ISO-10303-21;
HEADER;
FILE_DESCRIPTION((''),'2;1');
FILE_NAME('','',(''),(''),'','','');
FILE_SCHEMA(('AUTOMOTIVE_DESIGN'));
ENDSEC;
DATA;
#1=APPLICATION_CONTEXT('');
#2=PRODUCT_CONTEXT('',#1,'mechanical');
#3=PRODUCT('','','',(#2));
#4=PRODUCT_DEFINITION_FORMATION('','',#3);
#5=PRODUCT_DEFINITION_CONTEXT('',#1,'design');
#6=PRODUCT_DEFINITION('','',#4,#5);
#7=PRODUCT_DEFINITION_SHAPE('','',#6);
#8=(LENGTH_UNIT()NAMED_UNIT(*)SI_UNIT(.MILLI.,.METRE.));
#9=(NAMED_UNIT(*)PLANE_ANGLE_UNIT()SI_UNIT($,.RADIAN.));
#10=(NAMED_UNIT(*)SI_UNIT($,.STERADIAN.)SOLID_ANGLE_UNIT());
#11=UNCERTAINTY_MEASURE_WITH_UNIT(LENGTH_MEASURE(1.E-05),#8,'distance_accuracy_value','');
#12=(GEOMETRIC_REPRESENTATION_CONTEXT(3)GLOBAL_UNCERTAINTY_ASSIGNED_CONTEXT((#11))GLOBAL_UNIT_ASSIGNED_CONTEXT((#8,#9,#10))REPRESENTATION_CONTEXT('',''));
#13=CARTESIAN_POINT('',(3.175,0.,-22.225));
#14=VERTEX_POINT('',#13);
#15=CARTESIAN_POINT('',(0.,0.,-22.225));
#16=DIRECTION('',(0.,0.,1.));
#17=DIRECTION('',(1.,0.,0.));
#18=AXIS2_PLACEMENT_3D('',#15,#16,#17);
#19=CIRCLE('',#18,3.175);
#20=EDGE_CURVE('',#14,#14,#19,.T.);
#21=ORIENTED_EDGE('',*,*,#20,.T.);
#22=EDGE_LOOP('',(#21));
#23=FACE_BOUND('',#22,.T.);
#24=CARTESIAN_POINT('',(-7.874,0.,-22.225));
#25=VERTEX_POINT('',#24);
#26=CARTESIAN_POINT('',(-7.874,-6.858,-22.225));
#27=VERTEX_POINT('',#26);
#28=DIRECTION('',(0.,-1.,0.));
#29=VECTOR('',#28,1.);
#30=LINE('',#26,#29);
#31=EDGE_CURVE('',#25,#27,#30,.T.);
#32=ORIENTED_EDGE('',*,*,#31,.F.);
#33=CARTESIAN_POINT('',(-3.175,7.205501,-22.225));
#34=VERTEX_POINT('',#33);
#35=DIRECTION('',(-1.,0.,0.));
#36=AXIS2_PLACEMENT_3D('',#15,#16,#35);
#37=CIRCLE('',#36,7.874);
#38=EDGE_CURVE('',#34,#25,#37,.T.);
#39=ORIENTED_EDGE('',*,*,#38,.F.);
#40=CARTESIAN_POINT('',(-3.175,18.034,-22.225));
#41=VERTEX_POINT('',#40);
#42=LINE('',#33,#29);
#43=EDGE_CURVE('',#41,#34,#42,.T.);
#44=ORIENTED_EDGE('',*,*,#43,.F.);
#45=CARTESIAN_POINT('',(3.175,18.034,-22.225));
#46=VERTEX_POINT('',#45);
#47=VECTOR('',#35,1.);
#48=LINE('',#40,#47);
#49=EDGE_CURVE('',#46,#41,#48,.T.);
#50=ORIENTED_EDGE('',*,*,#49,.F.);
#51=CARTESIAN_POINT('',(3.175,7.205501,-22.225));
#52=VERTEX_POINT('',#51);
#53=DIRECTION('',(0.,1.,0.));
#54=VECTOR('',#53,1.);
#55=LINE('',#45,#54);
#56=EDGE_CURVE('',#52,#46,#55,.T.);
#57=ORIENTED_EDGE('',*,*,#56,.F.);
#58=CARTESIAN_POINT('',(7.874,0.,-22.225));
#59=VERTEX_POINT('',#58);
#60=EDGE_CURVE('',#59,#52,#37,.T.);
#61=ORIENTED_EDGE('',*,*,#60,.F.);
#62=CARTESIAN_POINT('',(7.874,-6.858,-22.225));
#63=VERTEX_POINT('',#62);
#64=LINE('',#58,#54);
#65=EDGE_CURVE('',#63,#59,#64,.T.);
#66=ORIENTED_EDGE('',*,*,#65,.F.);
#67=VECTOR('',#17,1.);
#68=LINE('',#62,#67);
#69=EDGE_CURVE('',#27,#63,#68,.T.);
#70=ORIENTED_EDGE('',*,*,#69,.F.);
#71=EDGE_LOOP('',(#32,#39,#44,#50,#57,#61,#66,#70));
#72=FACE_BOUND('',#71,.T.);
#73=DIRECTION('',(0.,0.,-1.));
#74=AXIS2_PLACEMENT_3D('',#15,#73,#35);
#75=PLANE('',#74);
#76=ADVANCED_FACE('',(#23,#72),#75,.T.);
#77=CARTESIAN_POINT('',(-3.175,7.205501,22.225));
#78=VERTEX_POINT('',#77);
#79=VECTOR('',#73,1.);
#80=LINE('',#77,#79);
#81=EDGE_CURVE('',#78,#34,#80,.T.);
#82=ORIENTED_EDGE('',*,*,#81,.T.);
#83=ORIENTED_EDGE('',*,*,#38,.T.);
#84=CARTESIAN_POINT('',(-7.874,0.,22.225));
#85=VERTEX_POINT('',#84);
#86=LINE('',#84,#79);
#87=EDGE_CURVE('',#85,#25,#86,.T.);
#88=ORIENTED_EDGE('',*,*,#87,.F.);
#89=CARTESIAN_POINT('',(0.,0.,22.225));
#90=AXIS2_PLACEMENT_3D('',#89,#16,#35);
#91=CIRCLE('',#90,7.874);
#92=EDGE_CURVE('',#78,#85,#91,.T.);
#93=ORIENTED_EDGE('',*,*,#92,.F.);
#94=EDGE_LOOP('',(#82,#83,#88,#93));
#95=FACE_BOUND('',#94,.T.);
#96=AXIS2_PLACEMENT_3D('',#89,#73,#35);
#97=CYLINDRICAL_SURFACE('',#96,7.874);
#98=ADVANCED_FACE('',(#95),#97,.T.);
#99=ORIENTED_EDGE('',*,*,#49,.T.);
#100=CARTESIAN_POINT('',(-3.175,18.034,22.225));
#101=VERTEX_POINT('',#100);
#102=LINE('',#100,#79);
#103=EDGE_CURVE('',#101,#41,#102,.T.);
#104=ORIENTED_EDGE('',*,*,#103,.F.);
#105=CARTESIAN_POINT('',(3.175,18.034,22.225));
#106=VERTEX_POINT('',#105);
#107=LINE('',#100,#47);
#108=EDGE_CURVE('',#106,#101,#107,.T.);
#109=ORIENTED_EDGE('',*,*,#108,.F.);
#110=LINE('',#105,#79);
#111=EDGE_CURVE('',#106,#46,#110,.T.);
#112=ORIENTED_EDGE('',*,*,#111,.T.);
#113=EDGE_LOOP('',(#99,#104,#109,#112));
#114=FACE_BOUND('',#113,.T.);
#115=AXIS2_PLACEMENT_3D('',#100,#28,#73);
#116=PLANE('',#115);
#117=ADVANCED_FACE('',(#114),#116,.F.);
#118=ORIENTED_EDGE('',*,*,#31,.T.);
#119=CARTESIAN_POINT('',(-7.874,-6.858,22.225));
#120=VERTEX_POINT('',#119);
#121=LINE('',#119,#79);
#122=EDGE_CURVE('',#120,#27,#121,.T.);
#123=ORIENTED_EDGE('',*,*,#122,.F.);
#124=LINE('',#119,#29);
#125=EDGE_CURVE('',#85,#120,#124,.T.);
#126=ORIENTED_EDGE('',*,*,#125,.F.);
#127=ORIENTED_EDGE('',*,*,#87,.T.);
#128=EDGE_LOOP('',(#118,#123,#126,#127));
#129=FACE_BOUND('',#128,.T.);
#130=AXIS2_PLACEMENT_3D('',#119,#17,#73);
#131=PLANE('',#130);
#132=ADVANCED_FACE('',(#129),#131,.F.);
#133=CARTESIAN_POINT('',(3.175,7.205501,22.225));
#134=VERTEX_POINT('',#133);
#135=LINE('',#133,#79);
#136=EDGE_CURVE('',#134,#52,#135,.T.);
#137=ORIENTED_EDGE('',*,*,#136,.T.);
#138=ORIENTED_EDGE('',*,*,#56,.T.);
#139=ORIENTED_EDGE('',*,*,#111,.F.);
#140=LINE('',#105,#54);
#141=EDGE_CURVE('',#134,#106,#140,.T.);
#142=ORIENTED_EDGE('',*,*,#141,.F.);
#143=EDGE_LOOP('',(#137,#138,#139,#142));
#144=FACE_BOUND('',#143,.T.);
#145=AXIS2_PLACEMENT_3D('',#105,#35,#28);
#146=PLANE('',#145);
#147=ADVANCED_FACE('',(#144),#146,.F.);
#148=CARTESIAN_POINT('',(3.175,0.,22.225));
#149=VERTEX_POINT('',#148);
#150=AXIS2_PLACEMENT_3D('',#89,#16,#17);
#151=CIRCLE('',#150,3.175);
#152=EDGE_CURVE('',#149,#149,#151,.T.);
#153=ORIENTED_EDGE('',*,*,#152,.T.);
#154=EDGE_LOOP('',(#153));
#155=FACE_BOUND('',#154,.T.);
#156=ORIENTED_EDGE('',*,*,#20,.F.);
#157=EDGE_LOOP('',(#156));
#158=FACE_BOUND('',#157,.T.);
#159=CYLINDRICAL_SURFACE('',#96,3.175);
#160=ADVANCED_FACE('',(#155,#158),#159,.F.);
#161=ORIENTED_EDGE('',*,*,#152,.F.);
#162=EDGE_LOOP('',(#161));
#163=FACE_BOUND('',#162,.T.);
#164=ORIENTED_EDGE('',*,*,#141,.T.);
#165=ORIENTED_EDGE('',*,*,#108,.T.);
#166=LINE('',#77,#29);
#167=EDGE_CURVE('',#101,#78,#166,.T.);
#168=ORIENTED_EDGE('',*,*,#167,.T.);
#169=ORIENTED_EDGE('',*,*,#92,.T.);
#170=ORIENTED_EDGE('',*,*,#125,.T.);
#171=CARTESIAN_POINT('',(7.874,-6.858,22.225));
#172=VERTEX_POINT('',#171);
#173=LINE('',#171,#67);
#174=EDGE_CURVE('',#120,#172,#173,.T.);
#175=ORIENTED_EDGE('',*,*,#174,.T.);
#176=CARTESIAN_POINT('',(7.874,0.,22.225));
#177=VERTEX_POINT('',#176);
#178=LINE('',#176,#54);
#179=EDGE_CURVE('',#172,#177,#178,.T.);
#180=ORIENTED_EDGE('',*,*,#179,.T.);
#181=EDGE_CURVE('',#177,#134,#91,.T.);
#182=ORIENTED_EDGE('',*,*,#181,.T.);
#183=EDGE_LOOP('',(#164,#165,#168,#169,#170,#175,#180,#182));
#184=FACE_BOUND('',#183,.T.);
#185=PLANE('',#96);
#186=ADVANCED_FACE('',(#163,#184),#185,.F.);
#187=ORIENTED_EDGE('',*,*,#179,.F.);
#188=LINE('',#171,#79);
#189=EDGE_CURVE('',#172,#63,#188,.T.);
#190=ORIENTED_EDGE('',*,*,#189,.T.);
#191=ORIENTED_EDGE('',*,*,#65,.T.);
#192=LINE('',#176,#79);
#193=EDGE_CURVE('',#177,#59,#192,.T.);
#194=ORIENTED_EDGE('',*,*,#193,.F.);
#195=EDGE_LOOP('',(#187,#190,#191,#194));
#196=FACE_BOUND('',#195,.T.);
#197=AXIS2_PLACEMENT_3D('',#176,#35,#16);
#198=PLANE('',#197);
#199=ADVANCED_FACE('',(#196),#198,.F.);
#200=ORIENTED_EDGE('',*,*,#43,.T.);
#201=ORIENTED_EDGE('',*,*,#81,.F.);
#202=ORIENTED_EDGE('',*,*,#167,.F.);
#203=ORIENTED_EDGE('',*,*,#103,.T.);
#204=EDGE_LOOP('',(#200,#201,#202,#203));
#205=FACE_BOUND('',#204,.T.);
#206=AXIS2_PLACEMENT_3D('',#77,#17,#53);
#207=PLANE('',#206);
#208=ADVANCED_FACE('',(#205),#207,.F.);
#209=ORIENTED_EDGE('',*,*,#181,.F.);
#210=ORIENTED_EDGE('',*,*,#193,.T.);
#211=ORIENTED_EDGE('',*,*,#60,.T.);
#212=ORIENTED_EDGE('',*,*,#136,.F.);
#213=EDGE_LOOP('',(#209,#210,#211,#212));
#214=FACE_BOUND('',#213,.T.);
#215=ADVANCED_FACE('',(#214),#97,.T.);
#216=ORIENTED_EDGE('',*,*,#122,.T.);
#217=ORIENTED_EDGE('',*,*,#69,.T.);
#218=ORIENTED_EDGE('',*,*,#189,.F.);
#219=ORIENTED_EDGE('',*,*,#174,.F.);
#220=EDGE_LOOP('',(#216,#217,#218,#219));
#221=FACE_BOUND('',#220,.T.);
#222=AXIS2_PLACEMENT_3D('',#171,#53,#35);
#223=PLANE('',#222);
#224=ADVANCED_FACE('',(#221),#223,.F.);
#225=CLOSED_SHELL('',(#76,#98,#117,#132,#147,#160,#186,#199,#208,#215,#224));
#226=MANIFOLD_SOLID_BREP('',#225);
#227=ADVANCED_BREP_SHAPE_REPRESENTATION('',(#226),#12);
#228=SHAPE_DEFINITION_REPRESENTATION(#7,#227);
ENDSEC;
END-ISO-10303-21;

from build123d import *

# Parameters (mm, degrees)
SKETCH1_R           = 3.175
BOSS_EXTRUDE1_DEPTH = 22.225


with BuildPart() as part:
    # Sketch1 → Boss-Extrude1 (new, symmetric)
    with BuildSketch(Plane.XY):
        with BuildLine():
            Line((7.874, -6.858), (-7.874, -6.858))
            Line((-7.874, -6.858), (-7.874, 0))
            ThreePointArc((-7.874, 0), (-6.595446384, 4.301158332), (-3.175, 7.20550144))
            Line((-3.175, 7.20550144), (-3.175, 18.034))
            Line((-3.175, 18.034), (3.175, 18.034))
            Line((3.175, 18.034), (3.175, 7.20550144))
            ThreePointArc((3.175, 7.20550144), (6.595446384, 4.301158332), (7.874, 0))
            Line((7.874, 0), (7.874, -6.858))
        make_face()
        Circle(SKETCH1_R, mode=Mode.SUBTRACT)
    extrude(amount=BOSS_EXTRUDE1_DEPTH, both=True)


solid = part.part
